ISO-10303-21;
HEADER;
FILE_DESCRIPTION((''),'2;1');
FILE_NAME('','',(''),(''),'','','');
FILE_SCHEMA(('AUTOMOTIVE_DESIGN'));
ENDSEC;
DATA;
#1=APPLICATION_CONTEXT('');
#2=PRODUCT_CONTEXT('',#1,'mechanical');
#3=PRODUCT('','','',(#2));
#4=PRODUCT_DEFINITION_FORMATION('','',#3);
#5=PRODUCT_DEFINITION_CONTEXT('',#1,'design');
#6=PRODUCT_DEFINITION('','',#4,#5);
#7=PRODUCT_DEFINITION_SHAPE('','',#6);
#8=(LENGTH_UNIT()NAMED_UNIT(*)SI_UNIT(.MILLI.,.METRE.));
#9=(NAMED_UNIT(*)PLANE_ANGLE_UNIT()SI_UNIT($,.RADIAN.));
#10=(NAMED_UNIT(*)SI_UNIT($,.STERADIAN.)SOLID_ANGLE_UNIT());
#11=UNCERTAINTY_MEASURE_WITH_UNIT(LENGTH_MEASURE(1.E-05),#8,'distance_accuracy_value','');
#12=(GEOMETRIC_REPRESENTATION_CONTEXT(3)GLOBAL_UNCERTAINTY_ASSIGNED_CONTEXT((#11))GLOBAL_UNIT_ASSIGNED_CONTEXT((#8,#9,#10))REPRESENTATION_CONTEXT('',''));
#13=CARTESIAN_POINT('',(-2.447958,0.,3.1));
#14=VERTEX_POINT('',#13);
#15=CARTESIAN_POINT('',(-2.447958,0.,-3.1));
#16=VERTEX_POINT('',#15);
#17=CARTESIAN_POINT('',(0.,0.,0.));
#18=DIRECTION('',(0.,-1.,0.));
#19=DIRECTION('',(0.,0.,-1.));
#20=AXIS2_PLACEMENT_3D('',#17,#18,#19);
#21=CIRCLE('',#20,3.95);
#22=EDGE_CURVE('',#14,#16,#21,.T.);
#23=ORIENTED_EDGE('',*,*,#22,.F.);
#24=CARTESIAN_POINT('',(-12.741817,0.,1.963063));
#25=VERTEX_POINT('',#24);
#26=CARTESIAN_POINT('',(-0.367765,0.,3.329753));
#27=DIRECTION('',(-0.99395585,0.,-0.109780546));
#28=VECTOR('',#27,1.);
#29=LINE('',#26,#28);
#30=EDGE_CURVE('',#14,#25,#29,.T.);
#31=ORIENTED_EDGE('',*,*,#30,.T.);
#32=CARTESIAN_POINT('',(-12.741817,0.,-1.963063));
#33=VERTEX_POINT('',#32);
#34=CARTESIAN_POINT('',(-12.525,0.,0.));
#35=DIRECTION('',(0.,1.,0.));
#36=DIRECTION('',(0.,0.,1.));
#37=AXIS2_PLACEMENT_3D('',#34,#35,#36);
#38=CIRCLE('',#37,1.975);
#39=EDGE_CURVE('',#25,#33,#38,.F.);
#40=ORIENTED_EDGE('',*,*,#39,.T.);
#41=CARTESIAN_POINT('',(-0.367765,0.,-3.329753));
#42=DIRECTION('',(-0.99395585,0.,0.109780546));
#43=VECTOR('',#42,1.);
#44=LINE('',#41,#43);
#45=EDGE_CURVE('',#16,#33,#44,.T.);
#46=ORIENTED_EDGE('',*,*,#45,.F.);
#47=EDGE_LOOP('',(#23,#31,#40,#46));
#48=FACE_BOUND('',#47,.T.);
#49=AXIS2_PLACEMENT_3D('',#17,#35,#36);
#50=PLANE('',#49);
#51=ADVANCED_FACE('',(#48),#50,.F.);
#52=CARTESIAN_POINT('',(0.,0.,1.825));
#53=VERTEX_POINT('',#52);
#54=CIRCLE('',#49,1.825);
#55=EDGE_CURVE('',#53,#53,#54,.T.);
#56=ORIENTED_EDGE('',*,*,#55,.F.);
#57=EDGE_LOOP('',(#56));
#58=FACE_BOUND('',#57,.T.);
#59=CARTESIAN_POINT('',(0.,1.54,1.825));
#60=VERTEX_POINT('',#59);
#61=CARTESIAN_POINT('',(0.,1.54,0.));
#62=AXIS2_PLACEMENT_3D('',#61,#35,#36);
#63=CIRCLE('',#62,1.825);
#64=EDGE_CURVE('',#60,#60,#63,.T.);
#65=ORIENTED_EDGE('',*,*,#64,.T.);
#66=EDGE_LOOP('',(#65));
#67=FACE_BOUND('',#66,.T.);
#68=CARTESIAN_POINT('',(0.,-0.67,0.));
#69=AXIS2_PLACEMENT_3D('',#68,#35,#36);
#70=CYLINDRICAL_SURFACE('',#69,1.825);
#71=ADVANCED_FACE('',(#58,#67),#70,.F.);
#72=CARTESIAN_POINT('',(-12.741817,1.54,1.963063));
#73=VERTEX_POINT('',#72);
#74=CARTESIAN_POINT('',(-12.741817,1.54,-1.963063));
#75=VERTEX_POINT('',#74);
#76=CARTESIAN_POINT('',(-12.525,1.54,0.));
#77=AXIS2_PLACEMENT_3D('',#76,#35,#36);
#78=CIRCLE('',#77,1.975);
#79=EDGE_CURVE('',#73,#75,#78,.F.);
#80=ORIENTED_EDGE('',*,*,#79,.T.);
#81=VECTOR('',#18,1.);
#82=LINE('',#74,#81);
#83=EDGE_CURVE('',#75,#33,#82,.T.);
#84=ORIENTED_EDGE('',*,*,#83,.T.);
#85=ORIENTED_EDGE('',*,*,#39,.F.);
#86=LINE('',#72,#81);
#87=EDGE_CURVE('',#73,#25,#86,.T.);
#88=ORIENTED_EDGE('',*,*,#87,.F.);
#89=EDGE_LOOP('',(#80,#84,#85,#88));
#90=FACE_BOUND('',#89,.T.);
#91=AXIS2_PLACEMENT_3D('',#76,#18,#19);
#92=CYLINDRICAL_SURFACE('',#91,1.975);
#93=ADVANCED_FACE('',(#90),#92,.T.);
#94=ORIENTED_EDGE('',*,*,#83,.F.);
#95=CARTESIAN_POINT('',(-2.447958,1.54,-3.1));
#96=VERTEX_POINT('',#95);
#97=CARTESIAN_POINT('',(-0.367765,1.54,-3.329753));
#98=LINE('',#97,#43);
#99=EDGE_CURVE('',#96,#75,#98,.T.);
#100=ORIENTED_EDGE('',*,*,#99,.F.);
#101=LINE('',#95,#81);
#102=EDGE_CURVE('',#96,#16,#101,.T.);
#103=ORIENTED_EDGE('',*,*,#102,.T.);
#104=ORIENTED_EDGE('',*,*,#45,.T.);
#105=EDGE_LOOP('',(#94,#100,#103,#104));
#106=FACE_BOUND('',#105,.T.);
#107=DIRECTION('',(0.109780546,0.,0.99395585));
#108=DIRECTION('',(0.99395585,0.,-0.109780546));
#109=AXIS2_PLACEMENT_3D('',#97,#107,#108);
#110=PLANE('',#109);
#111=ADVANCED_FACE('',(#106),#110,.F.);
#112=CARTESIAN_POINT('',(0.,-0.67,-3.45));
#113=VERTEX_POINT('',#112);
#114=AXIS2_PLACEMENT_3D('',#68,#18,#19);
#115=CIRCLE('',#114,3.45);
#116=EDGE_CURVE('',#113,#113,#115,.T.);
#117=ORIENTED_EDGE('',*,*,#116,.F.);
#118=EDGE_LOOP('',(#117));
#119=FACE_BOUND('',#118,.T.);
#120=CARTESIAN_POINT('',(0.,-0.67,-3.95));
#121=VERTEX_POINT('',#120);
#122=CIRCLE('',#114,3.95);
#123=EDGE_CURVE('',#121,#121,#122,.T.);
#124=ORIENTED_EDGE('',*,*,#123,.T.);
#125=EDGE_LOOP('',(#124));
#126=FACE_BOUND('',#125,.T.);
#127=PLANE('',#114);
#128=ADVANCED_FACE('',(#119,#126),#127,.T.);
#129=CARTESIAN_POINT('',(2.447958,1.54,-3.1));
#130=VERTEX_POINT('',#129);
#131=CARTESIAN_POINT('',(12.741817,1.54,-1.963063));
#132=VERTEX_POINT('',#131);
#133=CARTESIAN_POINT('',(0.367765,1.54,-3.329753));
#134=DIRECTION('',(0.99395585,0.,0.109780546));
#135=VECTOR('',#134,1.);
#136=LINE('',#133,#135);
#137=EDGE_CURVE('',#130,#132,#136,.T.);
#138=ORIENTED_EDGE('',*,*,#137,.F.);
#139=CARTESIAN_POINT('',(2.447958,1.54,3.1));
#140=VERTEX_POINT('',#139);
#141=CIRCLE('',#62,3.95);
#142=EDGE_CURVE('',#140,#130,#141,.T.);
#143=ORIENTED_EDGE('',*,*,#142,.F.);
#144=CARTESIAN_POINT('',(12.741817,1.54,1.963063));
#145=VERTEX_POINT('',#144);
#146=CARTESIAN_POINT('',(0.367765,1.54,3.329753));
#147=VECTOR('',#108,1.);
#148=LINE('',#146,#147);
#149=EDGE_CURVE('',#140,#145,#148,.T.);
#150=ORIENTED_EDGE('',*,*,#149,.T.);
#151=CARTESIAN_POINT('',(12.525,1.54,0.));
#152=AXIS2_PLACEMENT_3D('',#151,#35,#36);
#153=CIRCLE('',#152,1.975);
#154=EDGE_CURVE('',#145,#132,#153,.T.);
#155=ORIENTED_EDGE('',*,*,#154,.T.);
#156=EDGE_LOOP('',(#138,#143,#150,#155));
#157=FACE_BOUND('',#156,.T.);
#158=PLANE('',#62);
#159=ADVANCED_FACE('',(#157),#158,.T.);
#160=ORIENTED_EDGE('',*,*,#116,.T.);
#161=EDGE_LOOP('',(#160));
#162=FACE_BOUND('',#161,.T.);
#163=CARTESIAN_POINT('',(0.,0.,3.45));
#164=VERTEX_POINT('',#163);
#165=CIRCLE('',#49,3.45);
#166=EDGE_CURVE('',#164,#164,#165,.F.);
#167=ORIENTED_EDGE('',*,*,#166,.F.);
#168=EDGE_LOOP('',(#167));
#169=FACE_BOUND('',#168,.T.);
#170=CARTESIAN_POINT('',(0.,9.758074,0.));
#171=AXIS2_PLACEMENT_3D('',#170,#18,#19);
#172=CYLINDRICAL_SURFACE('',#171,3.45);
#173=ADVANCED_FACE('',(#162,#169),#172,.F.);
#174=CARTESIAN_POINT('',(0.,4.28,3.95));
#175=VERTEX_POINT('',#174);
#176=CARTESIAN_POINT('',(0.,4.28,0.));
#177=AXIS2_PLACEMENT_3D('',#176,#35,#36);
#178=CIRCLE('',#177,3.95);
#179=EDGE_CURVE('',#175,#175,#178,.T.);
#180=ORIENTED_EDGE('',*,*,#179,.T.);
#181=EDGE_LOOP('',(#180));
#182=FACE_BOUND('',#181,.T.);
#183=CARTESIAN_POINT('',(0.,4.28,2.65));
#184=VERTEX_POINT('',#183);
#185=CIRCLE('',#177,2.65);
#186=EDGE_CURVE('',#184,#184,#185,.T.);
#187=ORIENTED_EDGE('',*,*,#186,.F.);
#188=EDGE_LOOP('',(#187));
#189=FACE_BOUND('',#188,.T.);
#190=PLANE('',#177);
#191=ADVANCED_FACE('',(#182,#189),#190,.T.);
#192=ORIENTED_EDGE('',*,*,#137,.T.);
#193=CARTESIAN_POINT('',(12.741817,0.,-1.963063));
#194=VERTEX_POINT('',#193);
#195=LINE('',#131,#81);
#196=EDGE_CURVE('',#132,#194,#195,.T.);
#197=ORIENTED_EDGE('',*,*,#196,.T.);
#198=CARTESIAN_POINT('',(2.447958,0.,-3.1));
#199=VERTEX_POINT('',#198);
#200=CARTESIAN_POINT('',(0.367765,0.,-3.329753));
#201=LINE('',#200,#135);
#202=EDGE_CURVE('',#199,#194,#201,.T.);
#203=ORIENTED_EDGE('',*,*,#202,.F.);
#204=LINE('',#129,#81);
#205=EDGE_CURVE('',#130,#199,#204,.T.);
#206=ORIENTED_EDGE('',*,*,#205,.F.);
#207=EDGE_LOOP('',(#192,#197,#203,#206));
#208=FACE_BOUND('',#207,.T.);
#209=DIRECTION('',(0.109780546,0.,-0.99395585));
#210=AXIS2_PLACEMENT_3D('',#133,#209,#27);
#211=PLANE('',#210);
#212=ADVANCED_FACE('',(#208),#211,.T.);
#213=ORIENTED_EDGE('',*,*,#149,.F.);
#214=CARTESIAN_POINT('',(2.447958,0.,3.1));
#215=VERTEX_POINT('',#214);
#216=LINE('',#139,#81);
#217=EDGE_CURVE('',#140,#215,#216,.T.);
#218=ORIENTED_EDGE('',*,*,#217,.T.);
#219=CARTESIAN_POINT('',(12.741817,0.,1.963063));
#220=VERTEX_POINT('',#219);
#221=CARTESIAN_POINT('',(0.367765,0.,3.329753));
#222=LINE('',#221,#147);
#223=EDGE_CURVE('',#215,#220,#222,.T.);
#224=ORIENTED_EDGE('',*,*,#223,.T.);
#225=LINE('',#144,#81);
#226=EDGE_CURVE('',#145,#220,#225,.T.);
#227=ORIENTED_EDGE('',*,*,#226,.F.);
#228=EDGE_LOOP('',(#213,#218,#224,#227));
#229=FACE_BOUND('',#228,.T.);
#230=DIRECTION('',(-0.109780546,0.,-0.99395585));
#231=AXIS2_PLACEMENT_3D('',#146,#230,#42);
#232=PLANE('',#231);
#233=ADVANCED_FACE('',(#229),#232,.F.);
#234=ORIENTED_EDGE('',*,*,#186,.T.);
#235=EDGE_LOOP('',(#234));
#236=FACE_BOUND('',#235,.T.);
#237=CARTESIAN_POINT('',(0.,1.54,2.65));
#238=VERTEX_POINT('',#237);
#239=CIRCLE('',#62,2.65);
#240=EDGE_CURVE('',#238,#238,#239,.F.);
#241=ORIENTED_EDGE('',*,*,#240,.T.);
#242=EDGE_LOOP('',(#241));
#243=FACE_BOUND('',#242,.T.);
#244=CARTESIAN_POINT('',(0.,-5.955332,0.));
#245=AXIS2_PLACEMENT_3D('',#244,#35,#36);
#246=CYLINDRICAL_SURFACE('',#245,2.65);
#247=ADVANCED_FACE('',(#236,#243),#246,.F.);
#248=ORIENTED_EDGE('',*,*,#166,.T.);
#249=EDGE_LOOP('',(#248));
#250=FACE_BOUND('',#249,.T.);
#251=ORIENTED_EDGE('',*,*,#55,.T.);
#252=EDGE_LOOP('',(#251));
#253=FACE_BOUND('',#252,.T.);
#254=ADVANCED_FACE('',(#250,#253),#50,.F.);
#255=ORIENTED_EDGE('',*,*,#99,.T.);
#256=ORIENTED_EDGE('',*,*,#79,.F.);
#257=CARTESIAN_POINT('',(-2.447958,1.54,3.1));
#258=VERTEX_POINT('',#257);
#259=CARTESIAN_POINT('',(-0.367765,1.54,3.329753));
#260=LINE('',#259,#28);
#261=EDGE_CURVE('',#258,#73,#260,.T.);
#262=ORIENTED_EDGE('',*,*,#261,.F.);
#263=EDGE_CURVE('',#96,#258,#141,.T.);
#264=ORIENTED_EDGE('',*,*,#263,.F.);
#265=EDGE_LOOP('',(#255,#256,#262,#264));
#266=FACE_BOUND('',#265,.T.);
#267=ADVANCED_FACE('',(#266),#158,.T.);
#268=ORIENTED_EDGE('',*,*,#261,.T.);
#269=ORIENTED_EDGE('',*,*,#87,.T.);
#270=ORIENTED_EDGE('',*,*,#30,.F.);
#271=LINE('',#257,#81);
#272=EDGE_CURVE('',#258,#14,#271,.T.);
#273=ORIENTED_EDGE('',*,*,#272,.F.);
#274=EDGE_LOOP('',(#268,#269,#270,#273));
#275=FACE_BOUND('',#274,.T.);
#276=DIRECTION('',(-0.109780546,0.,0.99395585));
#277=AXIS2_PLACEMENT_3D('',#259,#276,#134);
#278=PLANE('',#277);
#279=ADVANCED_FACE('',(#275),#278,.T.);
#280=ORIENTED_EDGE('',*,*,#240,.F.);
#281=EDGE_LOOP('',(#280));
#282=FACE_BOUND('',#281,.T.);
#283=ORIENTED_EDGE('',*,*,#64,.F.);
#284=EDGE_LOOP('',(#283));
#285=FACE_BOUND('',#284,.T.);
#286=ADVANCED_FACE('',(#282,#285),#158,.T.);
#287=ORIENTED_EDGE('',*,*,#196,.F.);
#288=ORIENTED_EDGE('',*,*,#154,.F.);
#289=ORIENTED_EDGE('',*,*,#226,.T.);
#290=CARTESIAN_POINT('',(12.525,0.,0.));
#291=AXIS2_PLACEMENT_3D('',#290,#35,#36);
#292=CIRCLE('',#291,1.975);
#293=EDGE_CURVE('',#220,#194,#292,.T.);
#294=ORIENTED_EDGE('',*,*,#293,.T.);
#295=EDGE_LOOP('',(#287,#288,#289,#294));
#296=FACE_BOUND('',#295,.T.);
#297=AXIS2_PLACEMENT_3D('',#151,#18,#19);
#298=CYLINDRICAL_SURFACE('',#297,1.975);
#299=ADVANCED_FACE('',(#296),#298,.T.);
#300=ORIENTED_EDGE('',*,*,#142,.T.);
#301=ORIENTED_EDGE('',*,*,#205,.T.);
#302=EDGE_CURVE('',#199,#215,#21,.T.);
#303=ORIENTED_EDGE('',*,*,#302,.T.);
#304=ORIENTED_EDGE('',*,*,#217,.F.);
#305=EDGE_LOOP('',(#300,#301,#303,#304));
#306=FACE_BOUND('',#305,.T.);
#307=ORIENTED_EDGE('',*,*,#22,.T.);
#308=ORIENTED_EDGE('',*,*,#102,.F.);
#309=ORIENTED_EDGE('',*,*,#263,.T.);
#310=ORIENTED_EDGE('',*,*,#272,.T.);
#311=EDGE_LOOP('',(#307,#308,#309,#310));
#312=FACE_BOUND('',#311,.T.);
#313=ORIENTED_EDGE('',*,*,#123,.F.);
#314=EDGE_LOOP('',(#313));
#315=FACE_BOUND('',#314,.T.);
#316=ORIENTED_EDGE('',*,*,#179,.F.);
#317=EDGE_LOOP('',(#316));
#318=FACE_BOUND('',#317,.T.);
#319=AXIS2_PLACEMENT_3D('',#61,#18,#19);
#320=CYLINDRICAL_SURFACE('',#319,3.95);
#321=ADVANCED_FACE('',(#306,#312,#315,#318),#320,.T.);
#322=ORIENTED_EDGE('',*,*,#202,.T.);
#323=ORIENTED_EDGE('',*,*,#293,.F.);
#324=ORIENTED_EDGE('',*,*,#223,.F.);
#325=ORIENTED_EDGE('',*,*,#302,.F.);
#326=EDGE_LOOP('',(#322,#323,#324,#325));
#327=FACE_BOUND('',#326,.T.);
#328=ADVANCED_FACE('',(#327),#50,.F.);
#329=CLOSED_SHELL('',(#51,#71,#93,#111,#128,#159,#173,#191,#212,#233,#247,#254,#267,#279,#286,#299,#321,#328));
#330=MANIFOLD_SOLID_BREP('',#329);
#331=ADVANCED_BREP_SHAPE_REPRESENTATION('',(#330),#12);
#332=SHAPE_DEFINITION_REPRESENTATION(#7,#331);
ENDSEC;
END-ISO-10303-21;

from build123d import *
from build123d.topology import SkipClean

# Parameters (mm, degrees)
SKETCH2_R           = 1.975
SKETCH2_R_2         = 3.95
BOSS_EXTRUDE2_DEPTH = 1.54
SKETCH3_R           = 3.95
BOSS_EXTRUDE3_DEPTH = 2.74
BOSS_EXTRUDE4_START = 0.67
SKETCH4_R           = 3.95
BOSS_EXTRUDE4_DEPTH = 0.67
SKETCH5_R           = 2.65
CUT_EXTRUDE1_DEPTH  = 2.74
SKETCH6_R           = 3.45
CUT_EXTRUDE2_DEPTH  = 0.67
SKETCH7_R           = 1.825
CUT_EXTRUDE3_DEPTH  = 16.276128436


with BuildPart() as part:
    # Sketch2 → Boss-Extrude2 (new body)
    with BuildSketch(Plane(origin=(0, 0, 0), x_dir=(1, 0, 0), z_dir=(0, 1, 0))):
        with BuildLine():
            ThreePointArc((-2.447958333, -3.1), (-3.95, 0), (-2.447958333, 3.1))
            Line((-2.447958333, 3.1), (-12.741816497, 1.963062813))
            ThreePointArc((-12.741816497, 1.963062813), (-11.207348222, 1.471196381), (-10.55, 0))
            ThreePointArc((-10.55, 0), (-11.207348221, -1.471196381), (-12.741816497, -1.963062813))
            Line((-12.741816497, -1.963062813), (-2.447958333, -3.1))
        make_face()
        with Locations((-12.525, 0)):
            Circle(SKETCH2_R)
        Circle(SKETCH2_R_2)
        with BuildLine():
            Line((12.741816497, 1.963062813), (2.447958333, 3.1))
            ThreePointArc((2.447958333, 3.1), (3.554710636, 1.722362416), (3.95, 0))
            ThreePointArc((3.95, 0), (3.554710636, -1.722362416), (2.447958333, -3.1))
            Line((2.447958333, -3.1), (12.741816531, -1.963062809))
            ThreePointArc((12.741816531, -1.963062809), (10.55, -1.7e-08), (12.741816497, 1.963062813))
        make_face()
        with BuildLine():
            ThreePointArc((14.5, 0), (13.996196381, 1.317651778), (12.741816497, 1.963062813))
            ThreePointArc((12.741816497, 1.963062813), (10.55, -1.7e-08), (12.741816531, -1.963062809))
            ThreePointArc((12.741816531, -1.963062809), (13.996196392, -1.317651766), (14.5, 0))
        make_face()
    extrude(amount=BOSS_EXTRUDE2_DEPTH)

    # Sketch3 → Boss-Extrude3 (add)
    with BuildSketch(Plane(origin=(0, 1.54, 0), x_dir=(1, 0, 0), z_dir=(0, 1, 0))):
        with Locations(Location((0, 0, 0), (0, 0, 128.296879298))):
            Circle(SKETCH3_R)
    extrude(amount=BOSS_EXTRUDE3_DEPTH)

    # Sketch4 → Boss-Extrude4 (add)
    with SkipClean():  # the faces are left unmerged after this step: merging them gives an invalid solid
        with BuildSketch(Plane(origin=(0, 0, 0), x_dir=(-1, 0, 0), z_dir=(0, -1, 0)).offset(BOSS_EXTRUDE4_START)):
            with Locations(Location((0, 0, 0), (0, 0, 90))):
                Circle(SKETCH4_R)
        extrude(amount=-BOSS_EXTRUDE4_DEPTH)

    # Sketch5 → Cut-Extrude1 (cut)
    with SkipClean():  # the faces are left unmerged after this step: merging them gives an invalid solid
        with BuildSketch(Plane(origin=(0, 4.28, 0), x_dir=(1, 0, 0), z_dir=(0, 1, 0))):
            with Locations(Location((0, 0, 0), (0, 0, 270))):
                Circle(SKETCH5_R)
        extrude(amount=-CUT_EXTRUDE1_DEPTH, mode=Mode.SUBTRACT)

    # Sketch6 → Cut-Extrude2 (cut)
    with SkipClean():  # the faces are left unmerged after this step: merging them gives an invalid solid
        with BuildSketch(Plane(origin=(0, -0.67, 0), x_dir=(-1, 0, 0), z_dir=(0, -1, 0))):
            with Locations(Location((0, 0, 0), (0, 0, 90))):
                Circle(SKETCH6_R)
        extrude(amount=-CUT_EXTRUDE2_DEPTH, mode=Mode.SUBTRACT)

    # Sketch7 → Cut-Extrude3 (cut, through all)
    with SkipClean():  # the faces are left unmerged after this step: merging them gives an invalid solid
        with BuildSketch(Plane(origin=(0, 1.54, 0), x_dir=(1, 0, 0), z_dir=(0, 1, 0))):
            with Locations(Location((0, 0, 0), (0, 0, 270))):
                Circle(SKETCH7_R)
        extrude(amount=-CUT_EXTRUDE3_DEPTH, mode=Mode.SUBTRACT)


solid = part.part
